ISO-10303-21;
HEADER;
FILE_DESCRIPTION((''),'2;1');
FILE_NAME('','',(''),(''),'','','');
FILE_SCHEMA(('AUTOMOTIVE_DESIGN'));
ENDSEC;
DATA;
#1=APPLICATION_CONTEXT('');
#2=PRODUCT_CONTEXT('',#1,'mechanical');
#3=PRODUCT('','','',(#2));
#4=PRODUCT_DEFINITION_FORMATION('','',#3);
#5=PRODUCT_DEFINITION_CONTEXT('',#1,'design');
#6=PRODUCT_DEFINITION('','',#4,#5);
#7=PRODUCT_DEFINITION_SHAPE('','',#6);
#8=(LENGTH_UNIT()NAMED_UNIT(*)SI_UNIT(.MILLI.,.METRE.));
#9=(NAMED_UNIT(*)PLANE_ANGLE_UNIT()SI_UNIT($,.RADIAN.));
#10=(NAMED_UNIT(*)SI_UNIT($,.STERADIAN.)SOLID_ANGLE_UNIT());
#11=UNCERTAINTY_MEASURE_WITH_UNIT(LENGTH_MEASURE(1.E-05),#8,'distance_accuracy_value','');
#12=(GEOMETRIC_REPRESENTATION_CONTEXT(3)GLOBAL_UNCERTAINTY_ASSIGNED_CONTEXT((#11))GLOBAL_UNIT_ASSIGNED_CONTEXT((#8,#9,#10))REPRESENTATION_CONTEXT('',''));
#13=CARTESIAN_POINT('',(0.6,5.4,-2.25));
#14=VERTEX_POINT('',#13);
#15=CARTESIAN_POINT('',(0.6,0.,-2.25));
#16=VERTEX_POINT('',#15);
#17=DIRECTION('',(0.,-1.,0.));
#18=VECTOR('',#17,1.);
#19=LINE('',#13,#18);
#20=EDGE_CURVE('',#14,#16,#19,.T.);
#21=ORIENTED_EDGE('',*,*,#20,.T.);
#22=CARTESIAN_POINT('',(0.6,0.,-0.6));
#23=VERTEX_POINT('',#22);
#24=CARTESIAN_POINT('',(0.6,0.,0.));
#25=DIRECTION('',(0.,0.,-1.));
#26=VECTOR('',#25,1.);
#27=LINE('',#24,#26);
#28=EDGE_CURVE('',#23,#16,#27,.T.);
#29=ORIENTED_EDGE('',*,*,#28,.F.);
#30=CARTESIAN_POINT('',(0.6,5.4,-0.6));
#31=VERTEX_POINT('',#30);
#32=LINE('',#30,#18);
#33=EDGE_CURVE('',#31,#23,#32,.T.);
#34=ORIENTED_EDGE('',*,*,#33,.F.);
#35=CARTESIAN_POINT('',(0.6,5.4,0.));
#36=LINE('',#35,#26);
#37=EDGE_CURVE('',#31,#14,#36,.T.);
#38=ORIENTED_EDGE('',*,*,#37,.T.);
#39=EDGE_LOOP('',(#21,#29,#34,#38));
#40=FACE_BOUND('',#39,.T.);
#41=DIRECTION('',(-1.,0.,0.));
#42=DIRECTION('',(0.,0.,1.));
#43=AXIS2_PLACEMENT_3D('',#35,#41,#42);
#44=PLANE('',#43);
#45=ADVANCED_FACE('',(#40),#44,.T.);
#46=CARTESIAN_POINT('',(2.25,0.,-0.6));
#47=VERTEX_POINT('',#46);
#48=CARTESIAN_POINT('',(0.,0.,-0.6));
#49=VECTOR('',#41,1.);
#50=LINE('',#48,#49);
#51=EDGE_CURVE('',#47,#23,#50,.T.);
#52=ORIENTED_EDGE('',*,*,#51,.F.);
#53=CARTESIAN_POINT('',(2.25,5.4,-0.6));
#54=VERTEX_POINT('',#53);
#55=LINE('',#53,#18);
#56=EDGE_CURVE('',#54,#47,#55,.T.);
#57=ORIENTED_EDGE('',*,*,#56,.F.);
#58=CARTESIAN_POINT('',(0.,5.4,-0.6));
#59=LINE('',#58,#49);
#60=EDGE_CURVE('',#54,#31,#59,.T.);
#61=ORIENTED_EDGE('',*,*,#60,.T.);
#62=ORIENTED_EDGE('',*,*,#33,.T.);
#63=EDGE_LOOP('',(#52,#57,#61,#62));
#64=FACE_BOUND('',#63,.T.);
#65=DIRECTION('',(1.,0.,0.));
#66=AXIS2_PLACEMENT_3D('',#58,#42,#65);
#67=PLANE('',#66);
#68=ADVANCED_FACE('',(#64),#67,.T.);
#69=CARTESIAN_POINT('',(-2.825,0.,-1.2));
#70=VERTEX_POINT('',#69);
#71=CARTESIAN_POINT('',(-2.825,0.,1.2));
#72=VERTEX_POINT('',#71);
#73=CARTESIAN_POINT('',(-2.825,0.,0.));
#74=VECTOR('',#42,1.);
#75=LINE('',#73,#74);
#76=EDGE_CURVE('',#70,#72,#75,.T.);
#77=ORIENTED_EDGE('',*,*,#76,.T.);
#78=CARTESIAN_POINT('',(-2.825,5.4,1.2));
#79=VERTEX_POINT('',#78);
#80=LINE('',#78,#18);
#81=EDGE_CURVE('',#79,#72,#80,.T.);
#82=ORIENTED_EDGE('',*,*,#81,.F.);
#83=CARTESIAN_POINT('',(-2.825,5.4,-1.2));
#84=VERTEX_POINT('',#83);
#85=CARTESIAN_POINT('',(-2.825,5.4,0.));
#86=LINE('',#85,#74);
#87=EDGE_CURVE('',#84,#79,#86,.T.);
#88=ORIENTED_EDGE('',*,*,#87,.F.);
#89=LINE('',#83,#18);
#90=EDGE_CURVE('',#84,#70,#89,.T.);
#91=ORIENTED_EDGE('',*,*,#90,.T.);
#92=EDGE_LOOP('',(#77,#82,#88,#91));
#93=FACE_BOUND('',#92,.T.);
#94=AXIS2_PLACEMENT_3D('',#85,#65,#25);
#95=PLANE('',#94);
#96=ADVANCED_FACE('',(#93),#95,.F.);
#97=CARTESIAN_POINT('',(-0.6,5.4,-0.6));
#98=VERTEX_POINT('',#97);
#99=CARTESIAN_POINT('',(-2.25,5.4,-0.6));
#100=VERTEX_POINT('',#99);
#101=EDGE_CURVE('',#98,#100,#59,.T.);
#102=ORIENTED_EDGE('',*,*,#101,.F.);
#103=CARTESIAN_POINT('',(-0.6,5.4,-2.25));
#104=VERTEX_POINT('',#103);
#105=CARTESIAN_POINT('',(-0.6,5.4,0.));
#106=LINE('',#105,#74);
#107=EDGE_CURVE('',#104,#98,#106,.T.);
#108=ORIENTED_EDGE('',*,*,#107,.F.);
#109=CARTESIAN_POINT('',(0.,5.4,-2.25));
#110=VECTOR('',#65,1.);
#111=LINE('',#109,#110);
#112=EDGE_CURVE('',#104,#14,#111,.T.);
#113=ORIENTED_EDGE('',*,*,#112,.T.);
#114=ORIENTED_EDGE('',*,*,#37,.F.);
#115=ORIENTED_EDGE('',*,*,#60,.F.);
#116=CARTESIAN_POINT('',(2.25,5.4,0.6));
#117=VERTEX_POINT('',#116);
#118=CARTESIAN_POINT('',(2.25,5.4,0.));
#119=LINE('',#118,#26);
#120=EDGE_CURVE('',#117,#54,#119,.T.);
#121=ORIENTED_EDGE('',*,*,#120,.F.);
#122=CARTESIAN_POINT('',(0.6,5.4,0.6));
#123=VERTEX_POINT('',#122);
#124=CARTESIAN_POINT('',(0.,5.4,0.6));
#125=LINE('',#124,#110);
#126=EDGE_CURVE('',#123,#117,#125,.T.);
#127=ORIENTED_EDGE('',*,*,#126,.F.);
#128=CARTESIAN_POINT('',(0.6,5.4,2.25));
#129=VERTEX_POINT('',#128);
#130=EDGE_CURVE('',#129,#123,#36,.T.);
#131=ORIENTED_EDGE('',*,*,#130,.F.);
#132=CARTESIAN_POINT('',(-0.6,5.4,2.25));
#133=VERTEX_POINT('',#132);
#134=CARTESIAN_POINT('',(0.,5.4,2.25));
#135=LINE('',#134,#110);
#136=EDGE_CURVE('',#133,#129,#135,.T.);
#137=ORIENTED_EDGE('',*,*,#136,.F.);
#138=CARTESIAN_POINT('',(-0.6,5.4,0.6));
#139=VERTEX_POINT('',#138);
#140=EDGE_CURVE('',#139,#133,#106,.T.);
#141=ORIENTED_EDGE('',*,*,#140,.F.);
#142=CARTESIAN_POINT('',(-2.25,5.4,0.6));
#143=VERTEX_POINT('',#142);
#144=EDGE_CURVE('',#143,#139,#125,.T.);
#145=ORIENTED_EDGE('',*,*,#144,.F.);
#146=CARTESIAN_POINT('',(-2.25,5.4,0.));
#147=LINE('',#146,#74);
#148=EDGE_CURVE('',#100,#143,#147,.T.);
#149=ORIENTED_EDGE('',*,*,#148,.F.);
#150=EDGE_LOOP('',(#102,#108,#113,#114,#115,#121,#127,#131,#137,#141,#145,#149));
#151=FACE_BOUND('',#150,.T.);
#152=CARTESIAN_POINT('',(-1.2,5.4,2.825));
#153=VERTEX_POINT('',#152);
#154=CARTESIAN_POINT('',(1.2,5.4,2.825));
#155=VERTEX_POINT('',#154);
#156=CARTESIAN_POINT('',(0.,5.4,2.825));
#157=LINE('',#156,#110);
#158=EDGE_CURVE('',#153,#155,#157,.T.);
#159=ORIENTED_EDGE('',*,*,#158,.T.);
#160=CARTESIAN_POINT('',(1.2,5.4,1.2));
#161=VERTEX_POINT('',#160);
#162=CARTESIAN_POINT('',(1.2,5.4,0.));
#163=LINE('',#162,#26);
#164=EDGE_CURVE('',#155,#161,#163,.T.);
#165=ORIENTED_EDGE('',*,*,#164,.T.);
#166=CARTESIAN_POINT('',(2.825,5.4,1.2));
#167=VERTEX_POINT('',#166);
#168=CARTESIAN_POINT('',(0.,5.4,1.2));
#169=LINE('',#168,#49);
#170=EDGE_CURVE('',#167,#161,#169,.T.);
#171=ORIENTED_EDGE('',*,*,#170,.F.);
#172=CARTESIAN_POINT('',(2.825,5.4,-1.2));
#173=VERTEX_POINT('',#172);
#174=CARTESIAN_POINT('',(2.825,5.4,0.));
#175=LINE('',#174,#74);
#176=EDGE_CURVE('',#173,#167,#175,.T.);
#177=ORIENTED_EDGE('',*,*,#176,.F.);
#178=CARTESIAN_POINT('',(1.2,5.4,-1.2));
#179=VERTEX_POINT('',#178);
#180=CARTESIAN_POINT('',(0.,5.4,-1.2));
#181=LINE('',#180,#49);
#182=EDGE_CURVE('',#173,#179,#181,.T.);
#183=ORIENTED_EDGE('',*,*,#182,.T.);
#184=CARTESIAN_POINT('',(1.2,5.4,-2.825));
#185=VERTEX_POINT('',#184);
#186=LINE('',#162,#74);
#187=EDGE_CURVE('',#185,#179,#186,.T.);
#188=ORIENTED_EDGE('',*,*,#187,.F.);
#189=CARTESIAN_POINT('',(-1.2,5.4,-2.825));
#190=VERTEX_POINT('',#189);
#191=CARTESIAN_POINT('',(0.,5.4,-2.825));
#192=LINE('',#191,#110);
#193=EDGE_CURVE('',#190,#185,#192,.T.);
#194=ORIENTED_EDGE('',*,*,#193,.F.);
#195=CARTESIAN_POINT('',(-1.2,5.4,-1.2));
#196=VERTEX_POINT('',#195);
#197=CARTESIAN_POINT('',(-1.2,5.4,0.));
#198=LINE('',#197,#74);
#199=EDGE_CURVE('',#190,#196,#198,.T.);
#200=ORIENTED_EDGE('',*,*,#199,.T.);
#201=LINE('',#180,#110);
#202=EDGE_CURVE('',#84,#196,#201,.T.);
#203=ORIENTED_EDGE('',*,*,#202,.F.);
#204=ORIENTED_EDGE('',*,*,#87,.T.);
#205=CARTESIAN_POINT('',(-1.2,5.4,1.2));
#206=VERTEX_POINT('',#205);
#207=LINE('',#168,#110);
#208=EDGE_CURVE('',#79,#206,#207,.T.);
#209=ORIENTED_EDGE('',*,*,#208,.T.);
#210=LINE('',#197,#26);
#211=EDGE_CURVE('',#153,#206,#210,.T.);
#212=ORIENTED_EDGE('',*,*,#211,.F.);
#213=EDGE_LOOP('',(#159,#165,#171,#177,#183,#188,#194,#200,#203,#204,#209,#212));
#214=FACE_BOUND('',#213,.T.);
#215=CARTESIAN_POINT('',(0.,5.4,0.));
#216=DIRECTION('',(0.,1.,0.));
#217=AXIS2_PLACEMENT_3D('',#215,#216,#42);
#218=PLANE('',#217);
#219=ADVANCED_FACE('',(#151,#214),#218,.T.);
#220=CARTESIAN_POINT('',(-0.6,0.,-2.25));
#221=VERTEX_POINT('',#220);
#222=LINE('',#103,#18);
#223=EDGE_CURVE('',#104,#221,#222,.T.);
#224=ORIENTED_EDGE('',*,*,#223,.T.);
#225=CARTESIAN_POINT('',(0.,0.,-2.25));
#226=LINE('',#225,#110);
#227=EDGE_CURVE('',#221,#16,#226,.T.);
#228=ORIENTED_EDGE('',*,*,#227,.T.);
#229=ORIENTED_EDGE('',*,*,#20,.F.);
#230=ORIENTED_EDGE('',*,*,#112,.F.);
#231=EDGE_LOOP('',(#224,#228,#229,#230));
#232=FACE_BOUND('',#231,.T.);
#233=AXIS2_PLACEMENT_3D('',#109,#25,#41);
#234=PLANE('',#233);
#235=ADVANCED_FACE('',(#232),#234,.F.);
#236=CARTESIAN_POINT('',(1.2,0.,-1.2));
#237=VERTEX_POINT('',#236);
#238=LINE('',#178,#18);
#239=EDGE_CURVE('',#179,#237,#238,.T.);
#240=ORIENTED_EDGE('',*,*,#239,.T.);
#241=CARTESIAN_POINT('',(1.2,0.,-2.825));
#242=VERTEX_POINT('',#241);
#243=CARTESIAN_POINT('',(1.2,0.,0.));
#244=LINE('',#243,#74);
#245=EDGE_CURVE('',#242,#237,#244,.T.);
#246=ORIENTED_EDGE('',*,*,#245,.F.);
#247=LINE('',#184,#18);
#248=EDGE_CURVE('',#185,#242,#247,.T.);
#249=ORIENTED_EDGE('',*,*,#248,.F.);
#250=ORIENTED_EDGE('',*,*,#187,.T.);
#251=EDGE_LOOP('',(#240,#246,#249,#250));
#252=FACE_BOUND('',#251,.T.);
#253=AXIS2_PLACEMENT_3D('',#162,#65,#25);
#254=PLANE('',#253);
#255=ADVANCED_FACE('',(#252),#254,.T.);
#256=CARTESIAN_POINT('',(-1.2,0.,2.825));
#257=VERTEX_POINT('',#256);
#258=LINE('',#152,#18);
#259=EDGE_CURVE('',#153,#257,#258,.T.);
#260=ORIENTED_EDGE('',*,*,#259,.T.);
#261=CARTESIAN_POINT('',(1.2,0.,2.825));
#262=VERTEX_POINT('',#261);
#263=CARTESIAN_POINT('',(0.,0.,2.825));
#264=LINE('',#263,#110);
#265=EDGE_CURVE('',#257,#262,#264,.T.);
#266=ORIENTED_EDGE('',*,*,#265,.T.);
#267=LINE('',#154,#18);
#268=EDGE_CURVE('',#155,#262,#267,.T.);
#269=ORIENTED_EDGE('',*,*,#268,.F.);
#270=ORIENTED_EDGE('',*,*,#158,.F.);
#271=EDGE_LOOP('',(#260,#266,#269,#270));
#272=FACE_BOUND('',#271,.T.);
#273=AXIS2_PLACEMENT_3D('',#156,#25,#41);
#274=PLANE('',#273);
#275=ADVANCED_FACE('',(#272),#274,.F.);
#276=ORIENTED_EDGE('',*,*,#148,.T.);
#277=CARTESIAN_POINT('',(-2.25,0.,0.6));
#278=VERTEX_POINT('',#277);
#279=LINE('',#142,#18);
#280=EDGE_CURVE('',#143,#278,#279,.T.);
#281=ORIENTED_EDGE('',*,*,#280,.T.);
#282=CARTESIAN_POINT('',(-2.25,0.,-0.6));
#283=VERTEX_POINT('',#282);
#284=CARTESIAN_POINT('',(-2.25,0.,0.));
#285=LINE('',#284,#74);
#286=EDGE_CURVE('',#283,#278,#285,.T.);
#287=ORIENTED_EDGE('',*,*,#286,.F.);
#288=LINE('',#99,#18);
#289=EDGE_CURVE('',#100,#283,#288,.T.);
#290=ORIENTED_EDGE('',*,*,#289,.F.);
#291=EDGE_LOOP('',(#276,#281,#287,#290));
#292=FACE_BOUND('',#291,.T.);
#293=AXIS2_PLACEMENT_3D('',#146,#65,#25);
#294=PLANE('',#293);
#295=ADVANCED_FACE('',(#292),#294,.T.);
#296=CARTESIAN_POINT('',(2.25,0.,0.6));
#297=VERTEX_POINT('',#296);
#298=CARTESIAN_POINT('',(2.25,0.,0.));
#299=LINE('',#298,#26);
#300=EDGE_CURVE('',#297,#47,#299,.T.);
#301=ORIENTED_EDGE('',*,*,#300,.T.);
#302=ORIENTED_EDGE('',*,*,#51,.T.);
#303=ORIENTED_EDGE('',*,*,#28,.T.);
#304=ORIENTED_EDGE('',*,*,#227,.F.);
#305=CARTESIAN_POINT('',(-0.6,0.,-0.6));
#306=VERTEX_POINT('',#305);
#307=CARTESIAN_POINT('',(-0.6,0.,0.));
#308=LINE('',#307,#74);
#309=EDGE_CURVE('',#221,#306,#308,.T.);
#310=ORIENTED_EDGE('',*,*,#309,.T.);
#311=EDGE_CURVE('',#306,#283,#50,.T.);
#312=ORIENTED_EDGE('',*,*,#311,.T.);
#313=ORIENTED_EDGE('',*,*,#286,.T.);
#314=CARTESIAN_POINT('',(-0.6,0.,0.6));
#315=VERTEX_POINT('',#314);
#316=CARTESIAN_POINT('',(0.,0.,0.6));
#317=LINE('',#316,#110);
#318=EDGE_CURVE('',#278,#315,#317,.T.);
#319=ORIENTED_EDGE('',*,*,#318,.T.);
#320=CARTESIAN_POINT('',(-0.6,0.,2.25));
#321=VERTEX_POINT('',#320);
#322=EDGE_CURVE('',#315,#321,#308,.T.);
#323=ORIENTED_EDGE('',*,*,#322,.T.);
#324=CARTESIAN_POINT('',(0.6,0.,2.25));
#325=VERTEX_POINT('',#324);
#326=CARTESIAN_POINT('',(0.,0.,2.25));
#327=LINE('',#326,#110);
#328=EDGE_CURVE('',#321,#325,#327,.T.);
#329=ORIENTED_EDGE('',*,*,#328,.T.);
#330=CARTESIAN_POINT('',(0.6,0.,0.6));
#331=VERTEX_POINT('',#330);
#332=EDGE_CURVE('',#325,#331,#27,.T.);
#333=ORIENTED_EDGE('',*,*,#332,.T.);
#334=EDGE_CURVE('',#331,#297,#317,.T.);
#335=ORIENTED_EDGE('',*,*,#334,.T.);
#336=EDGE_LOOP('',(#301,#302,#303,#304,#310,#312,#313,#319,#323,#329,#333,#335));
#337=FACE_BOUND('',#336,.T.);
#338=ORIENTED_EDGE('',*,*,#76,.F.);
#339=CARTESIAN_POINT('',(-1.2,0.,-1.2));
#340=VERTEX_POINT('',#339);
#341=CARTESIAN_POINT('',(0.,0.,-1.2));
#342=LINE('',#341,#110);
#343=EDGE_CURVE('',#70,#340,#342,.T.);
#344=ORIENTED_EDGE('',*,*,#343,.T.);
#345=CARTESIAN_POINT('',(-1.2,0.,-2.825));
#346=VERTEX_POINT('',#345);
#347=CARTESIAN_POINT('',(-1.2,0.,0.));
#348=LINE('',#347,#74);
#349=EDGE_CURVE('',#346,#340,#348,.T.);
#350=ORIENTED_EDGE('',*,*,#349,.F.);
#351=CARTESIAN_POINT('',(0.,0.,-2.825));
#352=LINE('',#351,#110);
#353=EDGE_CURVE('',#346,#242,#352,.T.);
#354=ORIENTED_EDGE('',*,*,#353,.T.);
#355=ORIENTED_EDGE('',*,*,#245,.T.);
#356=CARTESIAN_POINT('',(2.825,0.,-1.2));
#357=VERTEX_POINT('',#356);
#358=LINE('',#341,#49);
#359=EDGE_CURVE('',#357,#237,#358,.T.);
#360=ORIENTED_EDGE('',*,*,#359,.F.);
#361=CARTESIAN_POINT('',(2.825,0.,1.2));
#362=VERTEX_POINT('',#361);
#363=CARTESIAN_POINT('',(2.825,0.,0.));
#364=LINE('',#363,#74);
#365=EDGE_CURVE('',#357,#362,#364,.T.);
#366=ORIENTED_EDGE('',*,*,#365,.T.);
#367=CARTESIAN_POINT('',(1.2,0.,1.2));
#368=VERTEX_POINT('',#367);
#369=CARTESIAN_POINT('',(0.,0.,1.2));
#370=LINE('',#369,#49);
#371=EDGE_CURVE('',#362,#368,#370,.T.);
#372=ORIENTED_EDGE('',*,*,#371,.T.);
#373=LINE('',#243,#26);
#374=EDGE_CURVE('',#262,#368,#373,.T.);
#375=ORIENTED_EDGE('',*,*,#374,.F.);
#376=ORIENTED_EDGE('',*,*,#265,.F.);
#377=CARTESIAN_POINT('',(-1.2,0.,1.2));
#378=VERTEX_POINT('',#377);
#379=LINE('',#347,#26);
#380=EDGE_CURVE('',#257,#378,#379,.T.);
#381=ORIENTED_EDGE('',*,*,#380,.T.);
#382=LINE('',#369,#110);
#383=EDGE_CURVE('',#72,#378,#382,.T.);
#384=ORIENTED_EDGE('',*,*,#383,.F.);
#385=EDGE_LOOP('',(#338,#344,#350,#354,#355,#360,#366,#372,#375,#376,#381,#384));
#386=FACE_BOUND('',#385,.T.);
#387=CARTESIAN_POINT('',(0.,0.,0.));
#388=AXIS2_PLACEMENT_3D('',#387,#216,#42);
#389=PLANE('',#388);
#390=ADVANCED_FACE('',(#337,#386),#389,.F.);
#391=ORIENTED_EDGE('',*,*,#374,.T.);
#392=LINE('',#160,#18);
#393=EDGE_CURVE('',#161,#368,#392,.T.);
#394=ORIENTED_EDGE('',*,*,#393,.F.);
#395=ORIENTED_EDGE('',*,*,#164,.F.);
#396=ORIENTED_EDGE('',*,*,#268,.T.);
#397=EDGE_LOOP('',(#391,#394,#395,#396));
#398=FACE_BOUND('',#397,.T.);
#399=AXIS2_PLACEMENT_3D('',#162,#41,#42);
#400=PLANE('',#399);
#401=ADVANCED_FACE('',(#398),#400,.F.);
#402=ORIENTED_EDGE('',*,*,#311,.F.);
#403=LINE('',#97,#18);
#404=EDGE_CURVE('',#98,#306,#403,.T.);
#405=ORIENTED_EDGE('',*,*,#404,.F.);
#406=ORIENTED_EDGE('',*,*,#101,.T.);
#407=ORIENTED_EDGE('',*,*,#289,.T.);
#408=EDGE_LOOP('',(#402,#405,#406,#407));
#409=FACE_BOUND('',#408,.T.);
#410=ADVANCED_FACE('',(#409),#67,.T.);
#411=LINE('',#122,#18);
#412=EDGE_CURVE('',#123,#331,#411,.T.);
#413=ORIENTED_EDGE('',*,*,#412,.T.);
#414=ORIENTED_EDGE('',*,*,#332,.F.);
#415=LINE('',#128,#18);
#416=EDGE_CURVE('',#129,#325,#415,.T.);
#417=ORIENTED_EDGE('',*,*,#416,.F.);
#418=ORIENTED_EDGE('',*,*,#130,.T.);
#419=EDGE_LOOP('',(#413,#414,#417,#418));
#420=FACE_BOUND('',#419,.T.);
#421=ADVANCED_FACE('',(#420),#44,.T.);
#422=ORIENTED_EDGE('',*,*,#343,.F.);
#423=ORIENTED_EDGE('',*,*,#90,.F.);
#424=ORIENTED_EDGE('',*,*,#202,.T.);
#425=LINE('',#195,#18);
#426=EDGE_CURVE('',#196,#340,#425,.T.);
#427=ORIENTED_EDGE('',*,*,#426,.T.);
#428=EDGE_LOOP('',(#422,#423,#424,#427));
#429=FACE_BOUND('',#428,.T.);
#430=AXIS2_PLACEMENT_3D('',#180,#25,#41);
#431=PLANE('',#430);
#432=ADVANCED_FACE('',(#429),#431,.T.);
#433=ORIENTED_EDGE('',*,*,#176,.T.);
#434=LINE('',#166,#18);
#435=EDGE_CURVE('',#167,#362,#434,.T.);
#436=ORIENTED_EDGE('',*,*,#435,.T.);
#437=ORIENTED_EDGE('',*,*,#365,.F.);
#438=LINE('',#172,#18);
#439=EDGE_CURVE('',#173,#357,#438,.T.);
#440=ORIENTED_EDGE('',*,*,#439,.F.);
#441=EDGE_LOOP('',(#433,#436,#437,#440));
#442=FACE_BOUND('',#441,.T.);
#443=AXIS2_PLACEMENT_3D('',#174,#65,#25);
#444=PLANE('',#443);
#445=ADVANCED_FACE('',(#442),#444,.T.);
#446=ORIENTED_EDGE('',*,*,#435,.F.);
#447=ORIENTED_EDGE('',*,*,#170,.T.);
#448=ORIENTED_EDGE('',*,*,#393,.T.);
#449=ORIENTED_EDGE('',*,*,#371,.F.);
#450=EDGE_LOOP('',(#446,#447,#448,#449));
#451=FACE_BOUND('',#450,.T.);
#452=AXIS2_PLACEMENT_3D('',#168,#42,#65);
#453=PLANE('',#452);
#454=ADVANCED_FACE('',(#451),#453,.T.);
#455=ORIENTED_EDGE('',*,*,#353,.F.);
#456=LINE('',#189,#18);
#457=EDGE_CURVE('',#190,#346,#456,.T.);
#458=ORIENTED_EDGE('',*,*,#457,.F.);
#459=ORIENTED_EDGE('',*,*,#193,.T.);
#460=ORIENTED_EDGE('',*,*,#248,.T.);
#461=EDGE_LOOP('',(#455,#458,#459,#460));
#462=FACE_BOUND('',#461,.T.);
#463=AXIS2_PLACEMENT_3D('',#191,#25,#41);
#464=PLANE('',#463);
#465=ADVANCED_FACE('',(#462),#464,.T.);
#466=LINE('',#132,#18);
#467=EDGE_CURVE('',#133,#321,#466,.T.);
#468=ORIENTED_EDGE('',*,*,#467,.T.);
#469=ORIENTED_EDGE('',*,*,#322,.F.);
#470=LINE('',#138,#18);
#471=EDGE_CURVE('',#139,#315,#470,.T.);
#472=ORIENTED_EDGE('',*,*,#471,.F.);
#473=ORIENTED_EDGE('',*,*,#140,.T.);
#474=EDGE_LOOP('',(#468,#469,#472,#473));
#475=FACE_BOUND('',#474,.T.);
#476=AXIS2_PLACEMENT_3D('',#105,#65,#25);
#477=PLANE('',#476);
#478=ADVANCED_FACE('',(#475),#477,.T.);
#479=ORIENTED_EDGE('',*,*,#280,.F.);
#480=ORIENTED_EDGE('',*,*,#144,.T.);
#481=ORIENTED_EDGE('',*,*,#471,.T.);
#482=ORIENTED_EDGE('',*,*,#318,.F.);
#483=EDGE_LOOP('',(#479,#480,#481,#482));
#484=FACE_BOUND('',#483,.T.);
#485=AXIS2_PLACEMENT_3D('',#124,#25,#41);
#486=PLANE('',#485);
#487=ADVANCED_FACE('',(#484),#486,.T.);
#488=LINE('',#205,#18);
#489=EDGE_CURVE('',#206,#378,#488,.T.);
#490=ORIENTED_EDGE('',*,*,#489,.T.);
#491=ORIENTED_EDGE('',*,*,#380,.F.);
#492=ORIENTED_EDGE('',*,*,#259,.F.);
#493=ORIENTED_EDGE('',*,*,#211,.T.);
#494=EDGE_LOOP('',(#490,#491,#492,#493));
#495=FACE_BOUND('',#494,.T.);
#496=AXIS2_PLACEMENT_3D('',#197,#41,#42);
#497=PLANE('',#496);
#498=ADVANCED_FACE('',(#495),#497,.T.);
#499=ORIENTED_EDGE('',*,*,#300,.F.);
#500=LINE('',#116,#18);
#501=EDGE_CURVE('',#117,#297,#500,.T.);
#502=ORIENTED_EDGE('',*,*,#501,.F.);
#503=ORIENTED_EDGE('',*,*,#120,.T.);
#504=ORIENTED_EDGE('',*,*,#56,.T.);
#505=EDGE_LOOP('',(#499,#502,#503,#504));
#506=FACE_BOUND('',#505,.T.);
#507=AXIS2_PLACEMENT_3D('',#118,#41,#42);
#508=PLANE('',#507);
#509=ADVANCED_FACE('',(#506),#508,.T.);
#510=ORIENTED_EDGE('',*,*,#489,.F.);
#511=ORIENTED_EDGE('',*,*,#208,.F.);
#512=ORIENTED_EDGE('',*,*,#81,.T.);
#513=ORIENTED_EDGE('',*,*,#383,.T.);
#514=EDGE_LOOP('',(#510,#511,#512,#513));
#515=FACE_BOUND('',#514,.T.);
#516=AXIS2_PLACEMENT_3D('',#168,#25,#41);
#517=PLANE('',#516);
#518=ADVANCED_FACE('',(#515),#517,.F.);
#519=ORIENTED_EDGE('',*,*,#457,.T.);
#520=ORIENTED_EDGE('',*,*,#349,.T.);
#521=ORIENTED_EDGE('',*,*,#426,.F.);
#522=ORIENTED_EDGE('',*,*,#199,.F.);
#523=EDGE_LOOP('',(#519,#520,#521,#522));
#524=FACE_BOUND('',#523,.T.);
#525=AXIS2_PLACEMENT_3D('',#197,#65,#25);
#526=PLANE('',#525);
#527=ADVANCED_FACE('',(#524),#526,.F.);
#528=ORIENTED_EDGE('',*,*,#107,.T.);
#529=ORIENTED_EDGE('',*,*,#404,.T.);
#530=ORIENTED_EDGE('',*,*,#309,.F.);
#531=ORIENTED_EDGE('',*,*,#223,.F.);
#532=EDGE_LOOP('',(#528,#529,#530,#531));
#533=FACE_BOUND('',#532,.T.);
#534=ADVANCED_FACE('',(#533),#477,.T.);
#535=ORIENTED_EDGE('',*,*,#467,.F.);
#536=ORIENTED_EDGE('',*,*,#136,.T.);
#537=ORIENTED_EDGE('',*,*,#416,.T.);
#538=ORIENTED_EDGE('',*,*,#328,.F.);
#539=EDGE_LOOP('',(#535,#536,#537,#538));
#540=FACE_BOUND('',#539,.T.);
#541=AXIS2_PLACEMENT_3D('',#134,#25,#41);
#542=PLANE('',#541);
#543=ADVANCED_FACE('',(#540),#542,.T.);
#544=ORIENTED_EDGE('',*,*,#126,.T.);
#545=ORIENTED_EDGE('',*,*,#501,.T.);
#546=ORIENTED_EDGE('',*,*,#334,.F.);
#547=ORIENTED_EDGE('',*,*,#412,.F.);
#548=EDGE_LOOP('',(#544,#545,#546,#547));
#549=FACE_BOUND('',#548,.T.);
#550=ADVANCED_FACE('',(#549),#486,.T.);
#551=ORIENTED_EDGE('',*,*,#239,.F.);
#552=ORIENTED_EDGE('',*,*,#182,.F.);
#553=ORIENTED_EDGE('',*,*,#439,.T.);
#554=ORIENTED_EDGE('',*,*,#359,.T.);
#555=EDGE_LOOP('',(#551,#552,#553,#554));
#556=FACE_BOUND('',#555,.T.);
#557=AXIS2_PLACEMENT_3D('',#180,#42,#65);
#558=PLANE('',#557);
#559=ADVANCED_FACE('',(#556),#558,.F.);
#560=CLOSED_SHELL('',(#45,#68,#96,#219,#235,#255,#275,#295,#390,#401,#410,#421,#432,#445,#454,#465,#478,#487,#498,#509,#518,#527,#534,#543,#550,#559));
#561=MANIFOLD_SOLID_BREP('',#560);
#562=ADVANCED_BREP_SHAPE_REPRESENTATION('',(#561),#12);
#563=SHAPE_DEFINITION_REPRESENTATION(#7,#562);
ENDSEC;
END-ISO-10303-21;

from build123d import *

# Parameters (mm, degrees)
BOSS_EXTRUDE1_DEPTH = 5.4


with BuildPart() as part:
    # Sketch1 → Boss-Extrude1 (new body)
    with BuildSketch(Plane(origin=(0, 0, 0), x_dir=(1, 0, 0), z_dir=(0, 1, 0))):
        Polygon((1.2, 2.825), (-1.2, 2.825), (-1.2, 1.2), (-2.825, 1.2), (-2.825, -1.2), (-1.2, -1.2), (-1.2, -2.825), (1.2, -2.825), (1.2, -1.2), (2.825, -1.2), (2.825, 1.2), (1.2, 1.2), align=None)
        Polygon((-0.6, 0.6), (-0.6, 2.25), (0.6, 2.25), (0.6, 0.6), (2.25, 0.6), (2.25, -0.6), (0.6, -0.6), (0.6, -2.25), (-0.6, -2.25), (-0.6, -0.6), (-2.25, -0.6), (-2.25, 0.6), align=None, mode=Mode.SUBTRACT)
    extrude(amount=BOSS_EXTRUDE1_DEPTH)


solid = part.part
